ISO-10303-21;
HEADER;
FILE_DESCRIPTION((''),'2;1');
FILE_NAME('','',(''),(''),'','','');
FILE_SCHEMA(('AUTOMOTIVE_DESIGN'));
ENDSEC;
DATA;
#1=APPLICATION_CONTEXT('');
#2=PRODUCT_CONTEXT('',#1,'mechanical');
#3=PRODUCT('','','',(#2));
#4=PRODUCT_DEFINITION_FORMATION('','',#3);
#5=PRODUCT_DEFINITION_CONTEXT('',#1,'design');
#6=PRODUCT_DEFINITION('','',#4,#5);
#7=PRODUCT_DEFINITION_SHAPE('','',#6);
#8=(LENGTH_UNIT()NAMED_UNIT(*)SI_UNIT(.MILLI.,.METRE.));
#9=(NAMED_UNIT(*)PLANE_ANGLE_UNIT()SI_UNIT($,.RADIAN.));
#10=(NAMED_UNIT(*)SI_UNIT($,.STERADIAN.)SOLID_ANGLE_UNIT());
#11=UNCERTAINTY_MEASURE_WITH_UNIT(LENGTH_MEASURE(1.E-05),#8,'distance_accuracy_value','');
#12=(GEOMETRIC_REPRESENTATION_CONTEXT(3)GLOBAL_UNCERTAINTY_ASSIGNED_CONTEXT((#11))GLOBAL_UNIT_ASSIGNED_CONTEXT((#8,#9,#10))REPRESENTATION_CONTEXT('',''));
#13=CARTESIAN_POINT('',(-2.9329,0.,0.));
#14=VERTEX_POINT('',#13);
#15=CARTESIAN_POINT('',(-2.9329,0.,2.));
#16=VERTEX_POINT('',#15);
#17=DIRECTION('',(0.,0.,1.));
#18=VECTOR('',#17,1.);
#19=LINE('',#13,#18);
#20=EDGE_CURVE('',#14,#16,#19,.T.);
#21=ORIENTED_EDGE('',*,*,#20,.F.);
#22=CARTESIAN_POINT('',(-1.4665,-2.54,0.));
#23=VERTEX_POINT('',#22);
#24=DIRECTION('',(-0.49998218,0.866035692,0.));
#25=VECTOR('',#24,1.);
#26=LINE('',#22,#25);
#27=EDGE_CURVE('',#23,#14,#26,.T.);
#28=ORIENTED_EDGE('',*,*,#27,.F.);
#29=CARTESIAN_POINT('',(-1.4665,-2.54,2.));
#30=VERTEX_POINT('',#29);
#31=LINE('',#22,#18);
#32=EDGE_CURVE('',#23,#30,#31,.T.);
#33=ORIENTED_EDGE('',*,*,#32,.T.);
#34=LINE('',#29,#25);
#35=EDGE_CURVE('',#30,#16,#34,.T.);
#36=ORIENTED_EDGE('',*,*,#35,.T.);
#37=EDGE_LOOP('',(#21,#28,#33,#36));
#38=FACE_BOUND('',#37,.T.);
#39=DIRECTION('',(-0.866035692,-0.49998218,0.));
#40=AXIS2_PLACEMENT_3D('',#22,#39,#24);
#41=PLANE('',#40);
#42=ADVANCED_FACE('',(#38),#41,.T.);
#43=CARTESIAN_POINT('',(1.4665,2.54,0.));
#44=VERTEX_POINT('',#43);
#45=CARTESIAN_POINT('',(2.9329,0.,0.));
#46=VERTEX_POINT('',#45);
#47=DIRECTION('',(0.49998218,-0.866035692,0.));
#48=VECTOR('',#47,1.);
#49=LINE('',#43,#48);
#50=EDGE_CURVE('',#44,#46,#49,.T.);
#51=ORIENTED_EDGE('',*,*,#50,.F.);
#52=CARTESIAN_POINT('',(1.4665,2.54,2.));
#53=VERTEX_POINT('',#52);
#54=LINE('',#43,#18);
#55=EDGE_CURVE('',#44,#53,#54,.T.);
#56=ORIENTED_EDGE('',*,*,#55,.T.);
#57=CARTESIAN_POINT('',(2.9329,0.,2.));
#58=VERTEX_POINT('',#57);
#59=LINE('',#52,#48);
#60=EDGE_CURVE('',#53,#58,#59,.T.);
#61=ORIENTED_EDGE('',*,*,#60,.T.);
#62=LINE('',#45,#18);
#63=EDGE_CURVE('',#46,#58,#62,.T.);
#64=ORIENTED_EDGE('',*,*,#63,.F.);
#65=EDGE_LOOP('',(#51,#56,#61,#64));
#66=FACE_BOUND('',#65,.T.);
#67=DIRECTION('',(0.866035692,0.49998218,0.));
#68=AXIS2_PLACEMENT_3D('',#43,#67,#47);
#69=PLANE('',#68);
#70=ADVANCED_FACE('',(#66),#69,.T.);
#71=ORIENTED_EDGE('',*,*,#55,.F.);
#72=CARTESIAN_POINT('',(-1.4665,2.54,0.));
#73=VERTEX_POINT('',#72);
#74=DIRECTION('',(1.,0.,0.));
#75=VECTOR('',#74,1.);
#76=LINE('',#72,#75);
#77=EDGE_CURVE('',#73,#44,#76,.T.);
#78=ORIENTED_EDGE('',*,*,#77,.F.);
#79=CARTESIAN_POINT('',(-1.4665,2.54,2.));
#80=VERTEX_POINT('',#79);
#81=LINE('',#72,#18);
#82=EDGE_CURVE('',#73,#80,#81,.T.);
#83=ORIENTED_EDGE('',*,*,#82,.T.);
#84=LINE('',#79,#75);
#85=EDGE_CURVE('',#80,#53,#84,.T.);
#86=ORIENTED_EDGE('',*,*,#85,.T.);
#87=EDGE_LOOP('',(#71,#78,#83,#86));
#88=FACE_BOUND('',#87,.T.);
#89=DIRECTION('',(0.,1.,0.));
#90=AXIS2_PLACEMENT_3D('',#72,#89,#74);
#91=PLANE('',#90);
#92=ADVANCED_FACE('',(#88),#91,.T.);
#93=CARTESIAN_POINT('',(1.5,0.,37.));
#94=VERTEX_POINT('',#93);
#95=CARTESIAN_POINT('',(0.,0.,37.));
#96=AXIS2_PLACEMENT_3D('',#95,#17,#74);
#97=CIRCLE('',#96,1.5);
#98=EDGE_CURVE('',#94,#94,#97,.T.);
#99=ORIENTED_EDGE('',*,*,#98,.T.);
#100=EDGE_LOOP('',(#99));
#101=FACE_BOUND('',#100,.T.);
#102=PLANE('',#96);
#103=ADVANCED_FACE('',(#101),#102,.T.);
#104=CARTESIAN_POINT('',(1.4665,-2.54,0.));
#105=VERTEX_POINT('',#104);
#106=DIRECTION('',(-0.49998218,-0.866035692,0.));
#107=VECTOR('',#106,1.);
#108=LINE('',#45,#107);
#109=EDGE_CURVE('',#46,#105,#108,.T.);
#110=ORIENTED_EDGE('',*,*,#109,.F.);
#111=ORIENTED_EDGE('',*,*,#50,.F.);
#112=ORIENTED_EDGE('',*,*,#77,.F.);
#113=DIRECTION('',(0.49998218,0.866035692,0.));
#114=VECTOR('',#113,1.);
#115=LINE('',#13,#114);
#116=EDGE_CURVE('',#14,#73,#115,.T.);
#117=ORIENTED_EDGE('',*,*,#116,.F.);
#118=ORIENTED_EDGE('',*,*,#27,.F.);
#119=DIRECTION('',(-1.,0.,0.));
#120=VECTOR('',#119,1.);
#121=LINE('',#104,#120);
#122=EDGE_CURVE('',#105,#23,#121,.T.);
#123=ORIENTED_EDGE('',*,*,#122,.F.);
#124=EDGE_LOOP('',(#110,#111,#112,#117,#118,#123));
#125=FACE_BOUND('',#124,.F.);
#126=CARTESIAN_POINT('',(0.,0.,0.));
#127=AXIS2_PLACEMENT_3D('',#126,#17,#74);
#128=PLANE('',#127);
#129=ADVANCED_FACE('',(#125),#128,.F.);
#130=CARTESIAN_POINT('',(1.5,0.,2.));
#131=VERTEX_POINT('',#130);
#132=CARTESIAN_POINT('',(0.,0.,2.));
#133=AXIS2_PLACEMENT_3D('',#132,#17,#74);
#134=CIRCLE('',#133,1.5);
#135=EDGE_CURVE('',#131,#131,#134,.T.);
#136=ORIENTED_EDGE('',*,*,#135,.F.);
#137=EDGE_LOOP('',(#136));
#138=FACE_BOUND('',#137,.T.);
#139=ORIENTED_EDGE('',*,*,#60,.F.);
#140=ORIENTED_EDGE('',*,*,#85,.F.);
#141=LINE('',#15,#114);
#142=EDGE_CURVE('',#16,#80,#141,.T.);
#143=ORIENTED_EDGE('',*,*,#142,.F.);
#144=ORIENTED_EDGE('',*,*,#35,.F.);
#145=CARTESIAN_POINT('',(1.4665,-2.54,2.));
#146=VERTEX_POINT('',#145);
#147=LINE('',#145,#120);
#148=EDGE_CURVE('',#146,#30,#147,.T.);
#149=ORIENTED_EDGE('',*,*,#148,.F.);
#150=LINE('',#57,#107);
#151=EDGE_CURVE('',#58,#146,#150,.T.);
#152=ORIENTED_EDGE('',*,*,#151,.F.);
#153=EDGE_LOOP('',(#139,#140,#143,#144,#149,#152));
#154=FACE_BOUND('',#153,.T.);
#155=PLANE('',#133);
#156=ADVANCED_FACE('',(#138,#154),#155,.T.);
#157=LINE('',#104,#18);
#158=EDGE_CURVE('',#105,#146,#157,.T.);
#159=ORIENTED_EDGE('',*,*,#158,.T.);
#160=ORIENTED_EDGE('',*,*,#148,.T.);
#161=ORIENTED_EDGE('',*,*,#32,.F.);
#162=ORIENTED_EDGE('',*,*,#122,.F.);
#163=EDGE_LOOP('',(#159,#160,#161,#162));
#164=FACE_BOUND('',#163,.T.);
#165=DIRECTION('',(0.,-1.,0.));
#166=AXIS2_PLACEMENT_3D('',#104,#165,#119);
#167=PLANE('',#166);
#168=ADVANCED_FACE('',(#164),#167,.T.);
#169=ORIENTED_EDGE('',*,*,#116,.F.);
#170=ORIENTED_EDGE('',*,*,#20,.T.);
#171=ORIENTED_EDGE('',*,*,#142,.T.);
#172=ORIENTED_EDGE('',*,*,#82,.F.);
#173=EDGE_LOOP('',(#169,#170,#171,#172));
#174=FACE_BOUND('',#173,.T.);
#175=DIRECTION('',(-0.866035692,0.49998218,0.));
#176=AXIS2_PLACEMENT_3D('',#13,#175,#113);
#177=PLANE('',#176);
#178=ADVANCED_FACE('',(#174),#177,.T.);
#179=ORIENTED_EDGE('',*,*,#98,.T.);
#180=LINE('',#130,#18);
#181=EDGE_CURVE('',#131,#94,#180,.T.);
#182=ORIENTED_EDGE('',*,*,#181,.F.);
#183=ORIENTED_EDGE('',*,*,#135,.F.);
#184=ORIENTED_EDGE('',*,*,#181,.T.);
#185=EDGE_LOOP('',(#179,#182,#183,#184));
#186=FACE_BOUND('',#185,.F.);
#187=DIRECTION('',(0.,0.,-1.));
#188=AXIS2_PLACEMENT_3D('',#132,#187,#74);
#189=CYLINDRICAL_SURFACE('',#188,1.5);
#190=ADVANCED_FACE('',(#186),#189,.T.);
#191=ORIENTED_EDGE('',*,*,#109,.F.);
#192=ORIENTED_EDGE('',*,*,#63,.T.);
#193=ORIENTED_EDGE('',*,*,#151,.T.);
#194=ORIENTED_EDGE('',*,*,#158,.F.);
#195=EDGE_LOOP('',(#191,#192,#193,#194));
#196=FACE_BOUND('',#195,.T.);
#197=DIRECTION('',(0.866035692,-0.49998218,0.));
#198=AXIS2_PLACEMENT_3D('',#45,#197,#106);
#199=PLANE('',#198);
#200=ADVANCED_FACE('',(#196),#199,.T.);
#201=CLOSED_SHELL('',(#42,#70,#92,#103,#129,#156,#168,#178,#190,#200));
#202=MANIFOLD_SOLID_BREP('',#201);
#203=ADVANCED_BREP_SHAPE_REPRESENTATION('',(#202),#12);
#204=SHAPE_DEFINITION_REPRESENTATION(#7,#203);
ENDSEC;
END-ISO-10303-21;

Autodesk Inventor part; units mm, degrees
ref_plane "YZ Plane" through (0, 0, 0) normal (1, 0, 0) x (0, 1, 0)
ref_plane "XZ Plane" through (0, 0, 0) normal (0, 1, 0) x (-1, 0, 0)
ref_plane "XY Plane" through (0, 0, 0) normal (0, 0, 1) x (1, 0, 0)
sketch "Sketch1" plane through (0, 0, 0) normal (0, 0, 1) x (1, 0, 0)
  line L0 (1.4665, -2.54) -> (-1.4665, -2.54)
  line L1 (-1.4665, -2.54) -> (-2.9329, 0)
  line L2 (-2.9329, 0) -> (-1.4665, 2.54)
  line L3 (-1.4665, 2.54) -> (1.4665, 2.54)
  line L4 (1.4665, 2.54) -> (2.9329, 0)
  line L5 (2.9329, 0) -> (1.4665, -2.54)
  point P0 (0, 0)
  point P1 (0, 0)
  point P2 (0, -2.54)
  dimension "d1" = 2.54
  dimension "d2" = 2.54
extrude "Extrusion1" add sketch "Sketch1" along normal blind 2
sketch "Sketch2" plane through (0, 0, 2) normal (0, 0, 1) x (1, 0, 0)
  circle A0 centre (0, 0) radius 1.5
  dimension "d5" = 3
extrude "Extrusion2" add sketch "Sketch2" along normal blind 35
thread "Thread1" size "M3x0.5" class "6g" standard "ANSI Metric M Profile" full length
properties part number "M3 screw"
